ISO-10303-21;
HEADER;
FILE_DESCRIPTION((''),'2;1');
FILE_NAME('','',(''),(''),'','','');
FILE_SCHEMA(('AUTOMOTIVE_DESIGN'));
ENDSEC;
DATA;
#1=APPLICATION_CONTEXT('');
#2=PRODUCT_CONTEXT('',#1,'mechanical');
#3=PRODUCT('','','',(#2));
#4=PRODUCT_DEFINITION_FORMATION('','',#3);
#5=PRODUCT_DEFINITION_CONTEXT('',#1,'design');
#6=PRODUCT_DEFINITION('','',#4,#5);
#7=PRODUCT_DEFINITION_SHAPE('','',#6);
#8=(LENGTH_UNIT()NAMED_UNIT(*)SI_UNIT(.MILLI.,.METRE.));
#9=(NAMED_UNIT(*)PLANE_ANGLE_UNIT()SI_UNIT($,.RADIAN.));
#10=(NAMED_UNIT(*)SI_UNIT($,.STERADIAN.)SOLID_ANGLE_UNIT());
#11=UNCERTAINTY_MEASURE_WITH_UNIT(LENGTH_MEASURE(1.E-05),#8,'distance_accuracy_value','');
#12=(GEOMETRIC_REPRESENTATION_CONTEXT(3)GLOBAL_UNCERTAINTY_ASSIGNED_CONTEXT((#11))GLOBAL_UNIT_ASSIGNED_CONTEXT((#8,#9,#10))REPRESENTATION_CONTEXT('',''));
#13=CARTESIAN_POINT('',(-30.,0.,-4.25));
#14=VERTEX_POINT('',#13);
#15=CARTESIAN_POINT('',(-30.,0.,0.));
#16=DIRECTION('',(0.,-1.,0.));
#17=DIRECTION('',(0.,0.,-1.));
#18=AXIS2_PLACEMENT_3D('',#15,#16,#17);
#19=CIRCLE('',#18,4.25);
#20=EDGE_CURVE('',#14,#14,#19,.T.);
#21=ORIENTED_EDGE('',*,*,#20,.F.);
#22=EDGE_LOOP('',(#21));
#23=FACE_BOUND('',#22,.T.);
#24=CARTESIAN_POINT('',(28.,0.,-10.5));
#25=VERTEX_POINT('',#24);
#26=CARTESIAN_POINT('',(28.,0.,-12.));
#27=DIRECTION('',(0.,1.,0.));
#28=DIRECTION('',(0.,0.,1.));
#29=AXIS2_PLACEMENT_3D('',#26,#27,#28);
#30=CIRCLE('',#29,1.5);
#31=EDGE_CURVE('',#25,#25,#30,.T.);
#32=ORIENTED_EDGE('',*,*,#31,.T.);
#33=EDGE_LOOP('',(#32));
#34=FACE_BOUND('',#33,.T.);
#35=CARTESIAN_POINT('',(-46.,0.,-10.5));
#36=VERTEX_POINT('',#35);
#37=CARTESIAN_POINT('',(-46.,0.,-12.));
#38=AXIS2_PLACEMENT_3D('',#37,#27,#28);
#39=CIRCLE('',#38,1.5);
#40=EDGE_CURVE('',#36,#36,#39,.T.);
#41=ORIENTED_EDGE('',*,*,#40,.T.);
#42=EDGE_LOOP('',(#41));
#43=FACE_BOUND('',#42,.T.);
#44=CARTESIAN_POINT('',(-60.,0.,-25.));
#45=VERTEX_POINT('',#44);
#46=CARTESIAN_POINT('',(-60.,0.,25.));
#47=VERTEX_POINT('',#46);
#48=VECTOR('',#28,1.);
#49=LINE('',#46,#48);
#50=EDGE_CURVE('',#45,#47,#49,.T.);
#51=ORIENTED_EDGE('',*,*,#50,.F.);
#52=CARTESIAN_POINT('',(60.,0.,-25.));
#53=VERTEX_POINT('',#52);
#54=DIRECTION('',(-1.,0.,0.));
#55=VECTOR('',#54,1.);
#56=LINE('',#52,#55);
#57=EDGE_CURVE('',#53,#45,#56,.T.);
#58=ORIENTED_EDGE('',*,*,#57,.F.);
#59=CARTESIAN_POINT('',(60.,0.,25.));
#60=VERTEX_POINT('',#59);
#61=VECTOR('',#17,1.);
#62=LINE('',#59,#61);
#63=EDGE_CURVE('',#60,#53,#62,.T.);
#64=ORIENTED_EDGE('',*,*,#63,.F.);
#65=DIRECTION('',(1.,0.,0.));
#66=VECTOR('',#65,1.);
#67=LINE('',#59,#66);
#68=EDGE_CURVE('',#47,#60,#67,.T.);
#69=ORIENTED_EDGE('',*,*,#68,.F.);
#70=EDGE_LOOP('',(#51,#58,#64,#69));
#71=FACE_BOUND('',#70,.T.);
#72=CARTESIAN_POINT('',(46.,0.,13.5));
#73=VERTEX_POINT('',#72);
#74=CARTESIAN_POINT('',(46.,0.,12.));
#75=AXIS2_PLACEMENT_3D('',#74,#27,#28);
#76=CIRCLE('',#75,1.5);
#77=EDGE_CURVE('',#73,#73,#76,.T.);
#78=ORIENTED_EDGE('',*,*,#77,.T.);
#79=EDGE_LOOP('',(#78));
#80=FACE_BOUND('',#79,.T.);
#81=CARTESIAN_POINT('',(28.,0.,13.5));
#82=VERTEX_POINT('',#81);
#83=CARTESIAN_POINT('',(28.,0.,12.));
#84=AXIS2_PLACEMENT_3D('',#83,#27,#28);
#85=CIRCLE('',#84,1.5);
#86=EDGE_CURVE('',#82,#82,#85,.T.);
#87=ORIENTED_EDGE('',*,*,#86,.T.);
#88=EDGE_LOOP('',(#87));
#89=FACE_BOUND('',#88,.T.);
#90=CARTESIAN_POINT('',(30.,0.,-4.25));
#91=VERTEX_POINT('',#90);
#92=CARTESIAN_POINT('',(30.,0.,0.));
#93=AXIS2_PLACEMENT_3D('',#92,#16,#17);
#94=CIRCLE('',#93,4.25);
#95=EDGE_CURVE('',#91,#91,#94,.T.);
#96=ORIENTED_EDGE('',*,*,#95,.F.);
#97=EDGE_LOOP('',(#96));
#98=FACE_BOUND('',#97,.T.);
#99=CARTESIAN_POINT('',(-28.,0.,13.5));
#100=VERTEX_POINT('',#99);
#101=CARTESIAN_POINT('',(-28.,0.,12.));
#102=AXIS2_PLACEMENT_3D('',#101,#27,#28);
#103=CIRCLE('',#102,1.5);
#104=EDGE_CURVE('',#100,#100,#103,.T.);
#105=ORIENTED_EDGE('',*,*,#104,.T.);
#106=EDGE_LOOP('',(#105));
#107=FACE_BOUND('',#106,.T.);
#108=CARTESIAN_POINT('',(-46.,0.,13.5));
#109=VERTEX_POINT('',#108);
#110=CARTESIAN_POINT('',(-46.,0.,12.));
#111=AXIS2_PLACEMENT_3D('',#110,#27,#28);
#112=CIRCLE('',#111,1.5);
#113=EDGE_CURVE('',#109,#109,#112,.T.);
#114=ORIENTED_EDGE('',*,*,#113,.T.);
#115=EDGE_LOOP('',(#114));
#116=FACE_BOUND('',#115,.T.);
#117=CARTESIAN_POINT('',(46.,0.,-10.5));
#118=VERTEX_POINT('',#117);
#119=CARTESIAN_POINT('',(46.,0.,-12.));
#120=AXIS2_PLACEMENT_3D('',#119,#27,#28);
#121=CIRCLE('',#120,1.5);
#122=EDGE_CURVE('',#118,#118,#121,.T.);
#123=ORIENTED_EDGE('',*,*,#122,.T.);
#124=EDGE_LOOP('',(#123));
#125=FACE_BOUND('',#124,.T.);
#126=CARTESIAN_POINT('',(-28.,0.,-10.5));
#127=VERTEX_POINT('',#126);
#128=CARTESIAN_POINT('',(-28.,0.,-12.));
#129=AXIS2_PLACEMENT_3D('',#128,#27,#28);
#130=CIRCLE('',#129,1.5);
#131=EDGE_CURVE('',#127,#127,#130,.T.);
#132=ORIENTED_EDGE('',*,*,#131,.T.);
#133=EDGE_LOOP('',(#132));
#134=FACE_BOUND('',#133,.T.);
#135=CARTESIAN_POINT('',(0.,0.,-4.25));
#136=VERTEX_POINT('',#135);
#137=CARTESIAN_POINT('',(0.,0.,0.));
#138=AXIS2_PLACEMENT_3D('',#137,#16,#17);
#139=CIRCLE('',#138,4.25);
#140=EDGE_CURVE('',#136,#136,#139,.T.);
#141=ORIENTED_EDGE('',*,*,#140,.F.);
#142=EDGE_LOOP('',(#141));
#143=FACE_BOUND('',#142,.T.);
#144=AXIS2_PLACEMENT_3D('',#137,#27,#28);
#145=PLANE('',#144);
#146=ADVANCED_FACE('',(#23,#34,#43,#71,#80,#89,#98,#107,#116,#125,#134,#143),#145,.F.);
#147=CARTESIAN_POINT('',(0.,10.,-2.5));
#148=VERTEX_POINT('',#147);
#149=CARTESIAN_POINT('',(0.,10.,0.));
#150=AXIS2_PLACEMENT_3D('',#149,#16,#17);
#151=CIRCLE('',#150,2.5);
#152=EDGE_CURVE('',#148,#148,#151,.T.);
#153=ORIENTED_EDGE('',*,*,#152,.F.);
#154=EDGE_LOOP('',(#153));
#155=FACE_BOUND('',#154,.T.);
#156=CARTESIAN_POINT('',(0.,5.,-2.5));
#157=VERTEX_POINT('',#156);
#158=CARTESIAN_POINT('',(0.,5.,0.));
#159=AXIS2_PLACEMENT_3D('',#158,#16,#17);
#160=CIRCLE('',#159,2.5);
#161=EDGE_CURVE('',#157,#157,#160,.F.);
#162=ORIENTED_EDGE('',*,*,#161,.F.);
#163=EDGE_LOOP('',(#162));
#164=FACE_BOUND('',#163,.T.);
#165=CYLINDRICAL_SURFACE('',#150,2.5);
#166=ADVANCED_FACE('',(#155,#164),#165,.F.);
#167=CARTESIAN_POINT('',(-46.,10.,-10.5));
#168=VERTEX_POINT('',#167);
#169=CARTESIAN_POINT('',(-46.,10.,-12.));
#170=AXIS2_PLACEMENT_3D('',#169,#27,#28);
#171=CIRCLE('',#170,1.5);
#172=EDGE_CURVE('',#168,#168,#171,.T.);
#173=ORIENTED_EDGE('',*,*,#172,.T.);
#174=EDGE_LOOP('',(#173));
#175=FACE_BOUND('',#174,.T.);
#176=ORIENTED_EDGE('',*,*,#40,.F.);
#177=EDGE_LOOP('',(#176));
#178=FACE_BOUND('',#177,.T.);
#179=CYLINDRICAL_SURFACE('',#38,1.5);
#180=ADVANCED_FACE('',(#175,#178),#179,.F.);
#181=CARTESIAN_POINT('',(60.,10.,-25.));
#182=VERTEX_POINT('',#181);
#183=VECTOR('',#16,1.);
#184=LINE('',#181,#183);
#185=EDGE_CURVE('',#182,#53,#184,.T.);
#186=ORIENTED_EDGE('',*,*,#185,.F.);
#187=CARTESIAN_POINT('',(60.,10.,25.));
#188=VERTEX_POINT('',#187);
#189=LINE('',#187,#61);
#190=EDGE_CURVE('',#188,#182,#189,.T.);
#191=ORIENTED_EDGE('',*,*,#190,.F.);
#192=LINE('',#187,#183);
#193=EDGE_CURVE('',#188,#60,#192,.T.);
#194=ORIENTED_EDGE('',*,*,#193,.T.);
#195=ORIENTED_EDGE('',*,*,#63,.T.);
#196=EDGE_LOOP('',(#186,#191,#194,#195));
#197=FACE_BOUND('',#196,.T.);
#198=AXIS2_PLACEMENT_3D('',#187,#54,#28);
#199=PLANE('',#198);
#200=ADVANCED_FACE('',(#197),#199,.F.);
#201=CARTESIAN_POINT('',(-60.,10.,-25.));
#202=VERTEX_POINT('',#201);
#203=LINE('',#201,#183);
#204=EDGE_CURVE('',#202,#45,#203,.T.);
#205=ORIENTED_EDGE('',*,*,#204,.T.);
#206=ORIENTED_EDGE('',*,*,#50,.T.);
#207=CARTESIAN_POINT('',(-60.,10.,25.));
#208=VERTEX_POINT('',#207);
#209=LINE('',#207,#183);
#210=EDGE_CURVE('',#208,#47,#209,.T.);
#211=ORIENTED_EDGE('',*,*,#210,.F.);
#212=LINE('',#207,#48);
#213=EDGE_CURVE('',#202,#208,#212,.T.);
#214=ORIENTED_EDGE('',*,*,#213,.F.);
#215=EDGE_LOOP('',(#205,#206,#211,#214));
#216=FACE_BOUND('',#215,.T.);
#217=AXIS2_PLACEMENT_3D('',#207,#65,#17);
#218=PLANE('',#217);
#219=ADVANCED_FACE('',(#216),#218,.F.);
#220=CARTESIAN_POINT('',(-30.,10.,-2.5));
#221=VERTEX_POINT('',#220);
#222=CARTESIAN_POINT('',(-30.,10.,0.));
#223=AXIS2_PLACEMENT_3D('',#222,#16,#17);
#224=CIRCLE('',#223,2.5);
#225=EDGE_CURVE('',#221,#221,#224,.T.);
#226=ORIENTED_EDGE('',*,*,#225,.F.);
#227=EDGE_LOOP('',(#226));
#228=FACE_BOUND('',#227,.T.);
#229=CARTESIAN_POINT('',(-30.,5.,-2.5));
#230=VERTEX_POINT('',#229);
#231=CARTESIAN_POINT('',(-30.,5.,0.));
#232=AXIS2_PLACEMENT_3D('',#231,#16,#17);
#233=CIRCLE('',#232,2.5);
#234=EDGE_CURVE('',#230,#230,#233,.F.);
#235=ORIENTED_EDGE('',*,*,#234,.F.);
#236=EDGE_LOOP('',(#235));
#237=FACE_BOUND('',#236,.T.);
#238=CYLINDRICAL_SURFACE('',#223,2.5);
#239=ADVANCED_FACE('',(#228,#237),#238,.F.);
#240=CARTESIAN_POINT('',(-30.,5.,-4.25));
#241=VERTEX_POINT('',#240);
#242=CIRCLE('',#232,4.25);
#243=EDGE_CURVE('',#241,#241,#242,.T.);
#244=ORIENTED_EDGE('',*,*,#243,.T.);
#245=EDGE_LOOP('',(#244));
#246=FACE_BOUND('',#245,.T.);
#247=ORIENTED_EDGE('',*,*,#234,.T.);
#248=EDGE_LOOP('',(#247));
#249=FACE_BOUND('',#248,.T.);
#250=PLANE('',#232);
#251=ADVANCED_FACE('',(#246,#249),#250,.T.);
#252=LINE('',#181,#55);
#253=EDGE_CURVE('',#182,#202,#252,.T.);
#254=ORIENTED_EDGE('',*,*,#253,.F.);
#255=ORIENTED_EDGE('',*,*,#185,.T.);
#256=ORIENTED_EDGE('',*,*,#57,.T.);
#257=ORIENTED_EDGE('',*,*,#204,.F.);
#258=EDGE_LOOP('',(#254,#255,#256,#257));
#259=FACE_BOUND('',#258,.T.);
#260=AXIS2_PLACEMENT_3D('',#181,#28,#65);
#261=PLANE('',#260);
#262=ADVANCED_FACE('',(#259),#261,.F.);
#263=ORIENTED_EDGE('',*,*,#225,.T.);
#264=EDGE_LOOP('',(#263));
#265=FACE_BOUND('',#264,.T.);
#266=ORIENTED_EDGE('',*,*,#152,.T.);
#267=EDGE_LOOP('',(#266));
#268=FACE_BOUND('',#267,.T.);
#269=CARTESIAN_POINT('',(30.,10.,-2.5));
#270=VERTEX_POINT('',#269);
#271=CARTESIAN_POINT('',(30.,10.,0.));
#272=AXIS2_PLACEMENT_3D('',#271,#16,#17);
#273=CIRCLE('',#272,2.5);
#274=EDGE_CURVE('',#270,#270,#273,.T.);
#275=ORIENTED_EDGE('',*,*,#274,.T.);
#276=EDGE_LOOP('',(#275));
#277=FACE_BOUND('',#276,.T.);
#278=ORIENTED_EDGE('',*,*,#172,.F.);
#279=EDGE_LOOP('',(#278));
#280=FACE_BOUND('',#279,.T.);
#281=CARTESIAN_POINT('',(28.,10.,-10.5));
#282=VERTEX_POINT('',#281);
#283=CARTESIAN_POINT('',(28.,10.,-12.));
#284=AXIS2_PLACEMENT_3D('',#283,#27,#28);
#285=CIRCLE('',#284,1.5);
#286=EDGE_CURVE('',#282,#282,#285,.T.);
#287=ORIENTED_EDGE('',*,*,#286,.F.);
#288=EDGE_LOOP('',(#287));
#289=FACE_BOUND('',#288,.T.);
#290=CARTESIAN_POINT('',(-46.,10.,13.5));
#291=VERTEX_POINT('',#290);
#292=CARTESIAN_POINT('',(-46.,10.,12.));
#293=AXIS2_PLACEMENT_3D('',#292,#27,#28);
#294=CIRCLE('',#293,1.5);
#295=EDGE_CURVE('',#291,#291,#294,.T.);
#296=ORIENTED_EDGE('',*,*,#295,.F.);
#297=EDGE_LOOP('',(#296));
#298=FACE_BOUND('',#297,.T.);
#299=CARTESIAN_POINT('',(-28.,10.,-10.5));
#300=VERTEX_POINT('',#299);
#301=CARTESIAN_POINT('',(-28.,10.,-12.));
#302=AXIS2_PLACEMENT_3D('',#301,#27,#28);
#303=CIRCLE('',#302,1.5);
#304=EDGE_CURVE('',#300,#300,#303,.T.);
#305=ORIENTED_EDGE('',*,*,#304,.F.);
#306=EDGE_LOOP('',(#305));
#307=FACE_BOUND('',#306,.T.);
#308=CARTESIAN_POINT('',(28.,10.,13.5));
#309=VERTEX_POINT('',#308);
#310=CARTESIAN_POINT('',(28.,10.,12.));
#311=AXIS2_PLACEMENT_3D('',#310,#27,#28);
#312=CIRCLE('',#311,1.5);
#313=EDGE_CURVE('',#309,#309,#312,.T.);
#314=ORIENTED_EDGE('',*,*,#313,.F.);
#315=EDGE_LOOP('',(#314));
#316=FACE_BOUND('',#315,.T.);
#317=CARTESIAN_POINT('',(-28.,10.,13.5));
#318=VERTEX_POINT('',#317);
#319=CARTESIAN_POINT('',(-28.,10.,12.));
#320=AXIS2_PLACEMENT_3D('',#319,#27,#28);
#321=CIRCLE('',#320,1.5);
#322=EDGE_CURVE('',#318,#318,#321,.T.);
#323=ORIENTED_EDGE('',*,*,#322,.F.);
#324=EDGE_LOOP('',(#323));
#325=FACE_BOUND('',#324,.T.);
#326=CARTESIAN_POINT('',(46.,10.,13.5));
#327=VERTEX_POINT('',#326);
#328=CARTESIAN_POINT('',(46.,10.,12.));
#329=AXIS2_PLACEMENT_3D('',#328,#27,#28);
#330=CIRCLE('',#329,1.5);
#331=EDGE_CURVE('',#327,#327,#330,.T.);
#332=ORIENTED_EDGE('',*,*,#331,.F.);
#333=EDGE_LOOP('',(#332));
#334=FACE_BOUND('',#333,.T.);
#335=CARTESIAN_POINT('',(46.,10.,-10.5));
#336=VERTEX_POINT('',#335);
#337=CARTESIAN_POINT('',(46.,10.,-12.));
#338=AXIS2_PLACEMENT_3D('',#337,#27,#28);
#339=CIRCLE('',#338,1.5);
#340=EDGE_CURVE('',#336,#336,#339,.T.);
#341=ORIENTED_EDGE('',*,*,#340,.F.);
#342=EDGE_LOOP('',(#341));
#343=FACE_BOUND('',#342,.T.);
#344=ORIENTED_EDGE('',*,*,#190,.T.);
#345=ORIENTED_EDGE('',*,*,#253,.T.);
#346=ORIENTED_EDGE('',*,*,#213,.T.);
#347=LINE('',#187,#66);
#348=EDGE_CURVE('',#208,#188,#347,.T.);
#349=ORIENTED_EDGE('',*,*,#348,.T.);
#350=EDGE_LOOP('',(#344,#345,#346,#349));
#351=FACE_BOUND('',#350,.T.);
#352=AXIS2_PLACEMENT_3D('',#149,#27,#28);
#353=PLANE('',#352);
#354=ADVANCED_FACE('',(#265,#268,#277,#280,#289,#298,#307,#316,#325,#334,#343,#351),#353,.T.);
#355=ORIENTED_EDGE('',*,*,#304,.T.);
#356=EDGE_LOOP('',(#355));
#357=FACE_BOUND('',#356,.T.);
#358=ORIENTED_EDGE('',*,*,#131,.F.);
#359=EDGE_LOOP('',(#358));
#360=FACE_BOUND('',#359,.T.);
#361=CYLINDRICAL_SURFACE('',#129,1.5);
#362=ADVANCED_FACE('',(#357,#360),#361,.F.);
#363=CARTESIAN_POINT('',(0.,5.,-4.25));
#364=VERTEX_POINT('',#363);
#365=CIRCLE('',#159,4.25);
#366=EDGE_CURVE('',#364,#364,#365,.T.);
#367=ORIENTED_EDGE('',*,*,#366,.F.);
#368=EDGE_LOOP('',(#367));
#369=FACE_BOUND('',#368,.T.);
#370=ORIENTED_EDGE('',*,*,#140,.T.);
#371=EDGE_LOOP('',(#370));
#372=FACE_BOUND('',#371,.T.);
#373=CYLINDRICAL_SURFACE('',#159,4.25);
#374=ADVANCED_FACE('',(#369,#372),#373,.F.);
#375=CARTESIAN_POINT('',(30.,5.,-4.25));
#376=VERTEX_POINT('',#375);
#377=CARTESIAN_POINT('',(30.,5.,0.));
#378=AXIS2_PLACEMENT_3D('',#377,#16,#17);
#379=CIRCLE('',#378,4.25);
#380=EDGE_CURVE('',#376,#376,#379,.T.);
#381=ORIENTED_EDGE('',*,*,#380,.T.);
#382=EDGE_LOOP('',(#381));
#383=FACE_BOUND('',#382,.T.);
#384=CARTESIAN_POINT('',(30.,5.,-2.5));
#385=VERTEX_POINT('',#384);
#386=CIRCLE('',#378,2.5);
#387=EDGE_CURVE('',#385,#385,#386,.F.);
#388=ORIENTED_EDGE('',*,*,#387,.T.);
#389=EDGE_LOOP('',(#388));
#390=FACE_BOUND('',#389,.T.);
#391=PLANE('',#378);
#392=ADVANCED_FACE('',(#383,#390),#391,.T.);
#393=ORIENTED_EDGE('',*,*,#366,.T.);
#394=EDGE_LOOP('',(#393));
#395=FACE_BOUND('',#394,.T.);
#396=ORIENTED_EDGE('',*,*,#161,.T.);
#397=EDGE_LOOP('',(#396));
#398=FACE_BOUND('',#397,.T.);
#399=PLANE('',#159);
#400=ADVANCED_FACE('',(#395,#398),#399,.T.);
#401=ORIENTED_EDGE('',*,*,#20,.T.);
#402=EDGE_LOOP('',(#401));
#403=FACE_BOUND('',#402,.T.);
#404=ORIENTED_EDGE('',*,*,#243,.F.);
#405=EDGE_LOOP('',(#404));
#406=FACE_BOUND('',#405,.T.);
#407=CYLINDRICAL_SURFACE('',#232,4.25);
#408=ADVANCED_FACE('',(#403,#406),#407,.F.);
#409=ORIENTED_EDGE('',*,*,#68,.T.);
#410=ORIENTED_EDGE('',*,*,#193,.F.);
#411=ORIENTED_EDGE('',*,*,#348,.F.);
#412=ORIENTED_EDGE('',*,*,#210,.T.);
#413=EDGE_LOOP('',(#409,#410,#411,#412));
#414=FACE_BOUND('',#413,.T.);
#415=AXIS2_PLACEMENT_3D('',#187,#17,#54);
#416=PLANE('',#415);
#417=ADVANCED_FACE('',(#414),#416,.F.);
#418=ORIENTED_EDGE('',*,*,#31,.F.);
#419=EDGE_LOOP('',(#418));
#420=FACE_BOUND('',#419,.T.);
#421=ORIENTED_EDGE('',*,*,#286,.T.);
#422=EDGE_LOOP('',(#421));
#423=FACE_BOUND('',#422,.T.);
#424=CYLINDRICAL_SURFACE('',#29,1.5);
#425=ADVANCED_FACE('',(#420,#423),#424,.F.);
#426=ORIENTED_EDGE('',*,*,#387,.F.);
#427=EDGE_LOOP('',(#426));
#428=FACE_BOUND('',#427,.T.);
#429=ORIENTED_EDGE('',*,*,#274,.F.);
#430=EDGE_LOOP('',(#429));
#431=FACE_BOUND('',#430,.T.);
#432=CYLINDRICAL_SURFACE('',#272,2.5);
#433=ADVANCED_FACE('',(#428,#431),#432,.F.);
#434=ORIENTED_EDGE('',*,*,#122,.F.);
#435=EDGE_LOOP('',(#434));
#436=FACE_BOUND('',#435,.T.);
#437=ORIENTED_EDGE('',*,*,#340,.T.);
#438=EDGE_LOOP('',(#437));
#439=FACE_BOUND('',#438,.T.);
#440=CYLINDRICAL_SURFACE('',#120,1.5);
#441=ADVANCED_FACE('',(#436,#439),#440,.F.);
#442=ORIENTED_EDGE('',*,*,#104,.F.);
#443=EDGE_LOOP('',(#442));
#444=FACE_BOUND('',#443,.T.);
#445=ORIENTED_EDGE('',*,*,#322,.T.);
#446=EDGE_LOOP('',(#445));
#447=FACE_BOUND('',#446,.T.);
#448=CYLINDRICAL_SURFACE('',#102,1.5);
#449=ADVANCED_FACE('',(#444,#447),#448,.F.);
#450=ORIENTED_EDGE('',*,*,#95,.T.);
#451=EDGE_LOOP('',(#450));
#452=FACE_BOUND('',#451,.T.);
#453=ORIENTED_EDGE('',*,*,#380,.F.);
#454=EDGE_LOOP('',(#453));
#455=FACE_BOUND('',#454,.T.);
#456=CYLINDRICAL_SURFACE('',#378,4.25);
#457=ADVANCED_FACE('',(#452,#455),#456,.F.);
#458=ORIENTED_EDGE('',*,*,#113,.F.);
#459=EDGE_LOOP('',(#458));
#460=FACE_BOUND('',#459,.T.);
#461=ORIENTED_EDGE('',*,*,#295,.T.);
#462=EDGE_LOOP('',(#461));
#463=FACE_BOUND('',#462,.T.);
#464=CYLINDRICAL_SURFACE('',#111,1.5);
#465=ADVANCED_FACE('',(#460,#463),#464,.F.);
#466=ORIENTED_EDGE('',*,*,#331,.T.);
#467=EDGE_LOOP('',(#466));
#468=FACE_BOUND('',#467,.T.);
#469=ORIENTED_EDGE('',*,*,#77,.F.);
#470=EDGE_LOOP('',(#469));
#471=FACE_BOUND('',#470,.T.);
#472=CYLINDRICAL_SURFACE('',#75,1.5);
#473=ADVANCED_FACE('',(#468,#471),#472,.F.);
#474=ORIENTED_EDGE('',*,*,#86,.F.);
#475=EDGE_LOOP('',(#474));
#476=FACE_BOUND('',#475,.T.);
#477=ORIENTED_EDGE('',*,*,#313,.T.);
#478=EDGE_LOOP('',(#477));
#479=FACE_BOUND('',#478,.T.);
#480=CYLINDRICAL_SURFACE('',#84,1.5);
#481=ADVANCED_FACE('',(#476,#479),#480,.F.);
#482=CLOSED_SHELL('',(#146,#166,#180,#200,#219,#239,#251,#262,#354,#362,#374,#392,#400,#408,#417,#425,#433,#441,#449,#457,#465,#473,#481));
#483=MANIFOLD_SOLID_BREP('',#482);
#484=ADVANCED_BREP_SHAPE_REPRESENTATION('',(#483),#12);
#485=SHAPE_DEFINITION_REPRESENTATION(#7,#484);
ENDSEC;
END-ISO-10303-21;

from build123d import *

# Parameters (mm, degrees)
SKETCH1_W           = 120
SKETCH1_H           = 50
BOSS_EXTRUDE1_DEPTH = 10
SKETCH2_R           = 1.5
CUT_EXTRUDE1_DEPTH  = 11
SKETCH3_R           = 2.5
CUT_EXTRUDE2_DEPTH  = 11
SKETCH4_R           = 4.25
CUT_EXTRUDE3_DEPTH  = 5


with BuildPart() as part:
    # Sketch1 → Boss-Extrude1 (new body)
    with BuildSketch(Plane(origin=(0, 0, 0), x_dir=(1, 0, 0), z_dir=(0, 1, 0))):
        Rectangle(SKETCH1_W, SKETCH1_H)
    extrude(amount=BOSS_EXTRUDE1_DEPTH)

    # Sketch2 → Cut-Extrude1 (cut, through all)
    with BuildSketch(Plane(origin=(0, 10, 0), x_dir=(1, 0, 0), z_dir=(0, 1, 0))):
        with Locations((28, -12)):
            Circle(SKETCH2_R)
        with Locations((28, 12)):
            Circle(SKETCH2_R)
        with Locations((46, -12)):
            Circle(SKETCH2_R)
        with Locations((46, 12)):
            Circle(SKETCH2_R)
        with Locations((-46, -12)):
            Circle(SKETCH2_R)
        with Locations((-46, 12)):
            Circle(SKETCH2_R)
        with Locations((-28, -12)):
            Circle(SKETCH2_R)
        with Locations((-28, 12)):
            Circle(SKETCH2_R)
    extrude(amount=-CUT_EXTRUDE1_DEPTH, mode=Mode.SUBTRACT)

    # Sketch3 → Cut-Extrude2 (cut, through all)
    with BuildSketch(Plane.XZ):
        Circle(SKETCH3_R)
        with Locations((30, 0)):
            Circle(SKETCH3_R)
        with Locations((-30, 0)):
            Circle(SKETCH3_R)
    extrude(amount=-CUT_EXTRUDE2_DEPTH, mode=Mode.SUBTRACT)

    # Sketch4 → Cut-Extrude3 (cut)
    with BuildSketch(Plane.XZ):
        with Locations((30, 0)):
            Circle(SKETCH4_R)
        Circle(SKETCH4_R)
        with Locations((-30, 0)):
            Circle(SKETCH4_R)
    extrude(amount=-CUT_EXTRUDE3_DEPTH, mode=Mode.SUBTRACT)


solid = part.part
